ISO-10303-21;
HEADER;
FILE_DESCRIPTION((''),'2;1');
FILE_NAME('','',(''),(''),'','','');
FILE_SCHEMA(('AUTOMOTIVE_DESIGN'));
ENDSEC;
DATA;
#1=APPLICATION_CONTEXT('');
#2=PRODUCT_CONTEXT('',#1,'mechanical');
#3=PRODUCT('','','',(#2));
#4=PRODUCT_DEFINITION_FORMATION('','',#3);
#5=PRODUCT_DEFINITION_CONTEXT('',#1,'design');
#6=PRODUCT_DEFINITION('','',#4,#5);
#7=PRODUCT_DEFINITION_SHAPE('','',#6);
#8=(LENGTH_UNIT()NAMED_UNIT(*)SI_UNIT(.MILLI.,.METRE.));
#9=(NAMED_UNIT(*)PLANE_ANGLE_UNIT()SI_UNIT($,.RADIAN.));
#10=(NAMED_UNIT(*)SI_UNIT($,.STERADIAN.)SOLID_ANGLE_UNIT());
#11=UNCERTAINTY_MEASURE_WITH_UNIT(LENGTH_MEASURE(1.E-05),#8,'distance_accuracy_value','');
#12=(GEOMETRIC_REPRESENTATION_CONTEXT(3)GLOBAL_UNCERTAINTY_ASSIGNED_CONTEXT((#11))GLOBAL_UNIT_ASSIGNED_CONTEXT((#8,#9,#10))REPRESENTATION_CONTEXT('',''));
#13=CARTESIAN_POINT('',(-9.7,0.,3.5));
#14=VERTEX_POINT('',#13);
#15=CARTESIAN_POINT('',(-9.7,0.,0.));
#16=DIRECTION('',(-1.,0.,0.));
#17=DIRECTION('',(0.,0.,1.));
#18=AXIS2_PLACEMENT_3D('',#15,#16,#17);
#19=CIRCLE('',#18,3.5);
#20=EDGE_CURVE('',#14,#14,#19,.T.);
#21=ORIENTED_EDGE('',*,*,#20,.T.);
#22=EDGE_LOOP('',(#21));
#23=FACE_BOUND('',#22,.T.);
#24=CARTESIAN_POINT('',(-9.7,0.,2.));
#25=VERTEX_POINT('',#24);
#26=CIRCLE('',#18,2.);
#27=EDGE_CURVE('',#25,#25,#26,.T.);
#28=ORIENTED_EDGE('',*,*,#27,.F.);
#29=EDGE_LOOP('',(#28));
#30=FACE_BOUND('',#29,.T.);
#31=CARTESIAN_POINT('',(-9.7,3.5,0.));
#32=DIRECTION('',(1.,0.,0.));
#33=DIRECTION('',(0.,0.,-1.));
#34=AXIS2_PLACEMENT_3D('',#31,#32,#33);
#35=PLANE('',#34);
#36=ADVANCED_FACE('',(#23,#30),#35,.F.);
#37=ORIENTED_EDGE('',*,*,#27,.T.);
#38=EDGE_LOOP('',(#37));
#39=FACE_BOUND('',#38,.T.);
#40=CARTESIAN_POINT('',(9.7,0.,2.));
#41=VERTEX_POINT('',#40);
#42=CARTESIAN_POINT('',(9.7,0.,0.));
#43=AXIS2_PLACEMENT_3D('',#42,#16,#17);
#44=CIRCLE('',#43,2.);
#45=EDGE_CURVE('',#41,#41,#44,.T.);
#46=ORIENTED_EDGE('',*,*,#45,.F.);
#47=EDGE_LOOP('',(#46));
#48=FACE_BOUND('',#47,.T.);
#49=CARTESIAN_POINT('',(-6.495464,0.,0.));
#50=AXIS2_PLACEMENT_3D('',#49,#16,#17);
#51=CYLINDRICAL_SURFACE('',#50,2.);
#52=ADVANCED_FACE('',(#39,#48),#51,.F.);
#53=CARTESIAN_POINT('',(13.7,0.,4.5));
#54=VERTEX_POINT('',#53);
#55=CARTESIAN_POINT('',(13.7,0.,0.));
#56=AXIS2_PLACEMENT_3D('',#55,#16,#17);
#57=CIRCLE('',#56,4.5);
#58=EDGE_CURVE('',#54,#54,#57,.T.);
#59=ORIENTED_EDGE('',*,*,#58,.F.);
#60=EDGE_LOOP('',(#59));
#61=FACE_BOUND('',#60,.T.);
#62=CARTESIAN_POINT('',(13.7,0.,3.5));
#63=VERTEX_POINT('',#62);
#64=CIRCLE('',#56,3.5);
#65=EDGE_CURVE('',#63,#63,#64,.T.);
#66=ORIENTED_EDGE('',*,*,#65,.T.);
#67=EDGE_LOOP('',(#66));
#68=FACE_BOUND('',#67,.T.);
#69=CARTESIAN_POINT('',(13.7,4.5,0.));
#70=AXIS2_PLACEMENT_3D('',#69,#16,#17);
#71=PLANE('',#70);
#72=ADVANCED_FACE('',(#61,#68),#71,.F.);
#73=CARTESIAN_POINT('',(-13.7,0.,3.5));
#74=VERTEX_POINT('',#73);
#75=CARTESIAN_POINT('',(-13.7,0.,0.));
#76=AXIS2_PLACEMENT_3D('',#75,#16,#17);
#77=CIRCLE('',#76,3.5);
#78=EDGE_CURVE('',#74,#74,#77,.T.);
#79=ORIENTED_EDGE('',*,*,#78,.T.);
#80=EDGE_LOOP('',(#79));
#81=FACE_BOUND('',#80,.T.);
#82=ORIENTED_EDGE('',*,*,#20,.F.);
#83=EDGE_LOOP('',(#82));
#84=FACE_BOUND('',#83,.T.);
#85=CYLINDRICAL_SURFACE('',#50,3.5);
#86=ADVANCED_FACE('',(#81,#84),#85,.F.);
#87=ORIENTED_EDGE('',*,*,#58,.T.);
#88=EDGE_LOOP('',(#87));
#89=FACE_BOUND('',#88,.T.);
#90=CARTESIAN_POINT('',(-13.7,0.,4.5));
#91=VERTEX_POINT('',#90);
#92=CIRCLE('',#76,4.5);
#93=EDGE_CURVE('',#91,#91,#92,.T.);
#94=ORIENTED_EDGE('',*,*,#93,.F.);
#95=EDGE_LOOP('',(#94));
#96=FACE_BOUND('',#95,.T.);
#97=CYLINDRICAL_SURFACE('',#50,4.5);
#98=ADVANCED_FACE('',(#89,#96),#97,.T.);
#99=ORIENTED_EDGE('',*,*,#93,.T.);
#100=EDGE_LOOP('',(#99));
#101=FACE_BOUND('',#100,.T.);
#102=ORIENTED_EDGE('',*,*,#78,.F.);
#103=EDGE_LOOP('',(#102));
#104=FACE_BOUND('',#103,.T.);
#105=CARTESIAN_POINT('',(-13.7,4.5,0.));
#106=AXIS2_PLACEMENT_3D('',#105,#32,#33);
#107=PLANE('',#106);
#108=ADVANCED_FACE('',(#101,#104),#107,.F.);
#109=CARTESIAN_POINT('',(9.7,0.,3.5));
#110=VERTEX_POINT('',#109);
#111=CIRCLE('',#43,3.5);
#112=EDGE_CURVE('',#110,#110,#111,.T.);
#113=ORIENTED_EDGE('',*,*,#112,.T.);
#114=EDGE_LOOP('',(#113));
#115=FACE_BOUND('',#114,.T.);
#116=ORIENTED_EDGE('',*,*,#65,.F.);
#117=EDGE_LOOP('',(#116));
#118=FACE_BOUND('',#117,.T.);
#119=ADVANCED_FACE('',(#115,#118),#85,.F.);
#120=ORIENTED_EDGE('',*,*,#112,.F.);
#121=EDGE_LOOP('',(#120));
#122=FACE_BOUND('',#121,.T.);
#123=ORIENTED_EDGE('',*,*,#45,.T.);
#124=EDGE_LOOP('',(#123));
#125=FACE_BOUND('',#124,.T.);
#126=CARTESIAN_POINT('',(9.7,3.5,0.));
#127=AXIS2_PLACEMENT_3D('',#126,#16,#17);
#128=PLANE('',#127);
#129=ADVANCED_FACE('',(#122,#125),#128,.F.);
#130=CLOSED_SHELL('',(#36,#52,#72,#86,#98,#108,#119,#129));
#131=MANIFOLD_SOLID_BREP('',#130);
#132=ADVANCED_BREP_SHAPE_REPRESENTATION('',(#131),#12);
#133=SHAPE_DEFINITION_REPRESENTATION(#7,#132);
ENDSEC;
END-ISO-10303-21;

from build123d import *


with BuildPart() as part:
    # Sketch1 → Revolve1 (revolve)
    with BuildSketch(Plane.XY):
        Polygon((9.7, 3.5), (13.7, 3.5), (13.7, 4.5), (-13.7, 4.5), (-13.7, 3.5), (-9.7, 3.5), (-9.7, 2), (9.7, 2), align=None)
    revolve(axis=Axis((-6.495464487, 0, 0), (1, 0, 0)))


solid = part.part
